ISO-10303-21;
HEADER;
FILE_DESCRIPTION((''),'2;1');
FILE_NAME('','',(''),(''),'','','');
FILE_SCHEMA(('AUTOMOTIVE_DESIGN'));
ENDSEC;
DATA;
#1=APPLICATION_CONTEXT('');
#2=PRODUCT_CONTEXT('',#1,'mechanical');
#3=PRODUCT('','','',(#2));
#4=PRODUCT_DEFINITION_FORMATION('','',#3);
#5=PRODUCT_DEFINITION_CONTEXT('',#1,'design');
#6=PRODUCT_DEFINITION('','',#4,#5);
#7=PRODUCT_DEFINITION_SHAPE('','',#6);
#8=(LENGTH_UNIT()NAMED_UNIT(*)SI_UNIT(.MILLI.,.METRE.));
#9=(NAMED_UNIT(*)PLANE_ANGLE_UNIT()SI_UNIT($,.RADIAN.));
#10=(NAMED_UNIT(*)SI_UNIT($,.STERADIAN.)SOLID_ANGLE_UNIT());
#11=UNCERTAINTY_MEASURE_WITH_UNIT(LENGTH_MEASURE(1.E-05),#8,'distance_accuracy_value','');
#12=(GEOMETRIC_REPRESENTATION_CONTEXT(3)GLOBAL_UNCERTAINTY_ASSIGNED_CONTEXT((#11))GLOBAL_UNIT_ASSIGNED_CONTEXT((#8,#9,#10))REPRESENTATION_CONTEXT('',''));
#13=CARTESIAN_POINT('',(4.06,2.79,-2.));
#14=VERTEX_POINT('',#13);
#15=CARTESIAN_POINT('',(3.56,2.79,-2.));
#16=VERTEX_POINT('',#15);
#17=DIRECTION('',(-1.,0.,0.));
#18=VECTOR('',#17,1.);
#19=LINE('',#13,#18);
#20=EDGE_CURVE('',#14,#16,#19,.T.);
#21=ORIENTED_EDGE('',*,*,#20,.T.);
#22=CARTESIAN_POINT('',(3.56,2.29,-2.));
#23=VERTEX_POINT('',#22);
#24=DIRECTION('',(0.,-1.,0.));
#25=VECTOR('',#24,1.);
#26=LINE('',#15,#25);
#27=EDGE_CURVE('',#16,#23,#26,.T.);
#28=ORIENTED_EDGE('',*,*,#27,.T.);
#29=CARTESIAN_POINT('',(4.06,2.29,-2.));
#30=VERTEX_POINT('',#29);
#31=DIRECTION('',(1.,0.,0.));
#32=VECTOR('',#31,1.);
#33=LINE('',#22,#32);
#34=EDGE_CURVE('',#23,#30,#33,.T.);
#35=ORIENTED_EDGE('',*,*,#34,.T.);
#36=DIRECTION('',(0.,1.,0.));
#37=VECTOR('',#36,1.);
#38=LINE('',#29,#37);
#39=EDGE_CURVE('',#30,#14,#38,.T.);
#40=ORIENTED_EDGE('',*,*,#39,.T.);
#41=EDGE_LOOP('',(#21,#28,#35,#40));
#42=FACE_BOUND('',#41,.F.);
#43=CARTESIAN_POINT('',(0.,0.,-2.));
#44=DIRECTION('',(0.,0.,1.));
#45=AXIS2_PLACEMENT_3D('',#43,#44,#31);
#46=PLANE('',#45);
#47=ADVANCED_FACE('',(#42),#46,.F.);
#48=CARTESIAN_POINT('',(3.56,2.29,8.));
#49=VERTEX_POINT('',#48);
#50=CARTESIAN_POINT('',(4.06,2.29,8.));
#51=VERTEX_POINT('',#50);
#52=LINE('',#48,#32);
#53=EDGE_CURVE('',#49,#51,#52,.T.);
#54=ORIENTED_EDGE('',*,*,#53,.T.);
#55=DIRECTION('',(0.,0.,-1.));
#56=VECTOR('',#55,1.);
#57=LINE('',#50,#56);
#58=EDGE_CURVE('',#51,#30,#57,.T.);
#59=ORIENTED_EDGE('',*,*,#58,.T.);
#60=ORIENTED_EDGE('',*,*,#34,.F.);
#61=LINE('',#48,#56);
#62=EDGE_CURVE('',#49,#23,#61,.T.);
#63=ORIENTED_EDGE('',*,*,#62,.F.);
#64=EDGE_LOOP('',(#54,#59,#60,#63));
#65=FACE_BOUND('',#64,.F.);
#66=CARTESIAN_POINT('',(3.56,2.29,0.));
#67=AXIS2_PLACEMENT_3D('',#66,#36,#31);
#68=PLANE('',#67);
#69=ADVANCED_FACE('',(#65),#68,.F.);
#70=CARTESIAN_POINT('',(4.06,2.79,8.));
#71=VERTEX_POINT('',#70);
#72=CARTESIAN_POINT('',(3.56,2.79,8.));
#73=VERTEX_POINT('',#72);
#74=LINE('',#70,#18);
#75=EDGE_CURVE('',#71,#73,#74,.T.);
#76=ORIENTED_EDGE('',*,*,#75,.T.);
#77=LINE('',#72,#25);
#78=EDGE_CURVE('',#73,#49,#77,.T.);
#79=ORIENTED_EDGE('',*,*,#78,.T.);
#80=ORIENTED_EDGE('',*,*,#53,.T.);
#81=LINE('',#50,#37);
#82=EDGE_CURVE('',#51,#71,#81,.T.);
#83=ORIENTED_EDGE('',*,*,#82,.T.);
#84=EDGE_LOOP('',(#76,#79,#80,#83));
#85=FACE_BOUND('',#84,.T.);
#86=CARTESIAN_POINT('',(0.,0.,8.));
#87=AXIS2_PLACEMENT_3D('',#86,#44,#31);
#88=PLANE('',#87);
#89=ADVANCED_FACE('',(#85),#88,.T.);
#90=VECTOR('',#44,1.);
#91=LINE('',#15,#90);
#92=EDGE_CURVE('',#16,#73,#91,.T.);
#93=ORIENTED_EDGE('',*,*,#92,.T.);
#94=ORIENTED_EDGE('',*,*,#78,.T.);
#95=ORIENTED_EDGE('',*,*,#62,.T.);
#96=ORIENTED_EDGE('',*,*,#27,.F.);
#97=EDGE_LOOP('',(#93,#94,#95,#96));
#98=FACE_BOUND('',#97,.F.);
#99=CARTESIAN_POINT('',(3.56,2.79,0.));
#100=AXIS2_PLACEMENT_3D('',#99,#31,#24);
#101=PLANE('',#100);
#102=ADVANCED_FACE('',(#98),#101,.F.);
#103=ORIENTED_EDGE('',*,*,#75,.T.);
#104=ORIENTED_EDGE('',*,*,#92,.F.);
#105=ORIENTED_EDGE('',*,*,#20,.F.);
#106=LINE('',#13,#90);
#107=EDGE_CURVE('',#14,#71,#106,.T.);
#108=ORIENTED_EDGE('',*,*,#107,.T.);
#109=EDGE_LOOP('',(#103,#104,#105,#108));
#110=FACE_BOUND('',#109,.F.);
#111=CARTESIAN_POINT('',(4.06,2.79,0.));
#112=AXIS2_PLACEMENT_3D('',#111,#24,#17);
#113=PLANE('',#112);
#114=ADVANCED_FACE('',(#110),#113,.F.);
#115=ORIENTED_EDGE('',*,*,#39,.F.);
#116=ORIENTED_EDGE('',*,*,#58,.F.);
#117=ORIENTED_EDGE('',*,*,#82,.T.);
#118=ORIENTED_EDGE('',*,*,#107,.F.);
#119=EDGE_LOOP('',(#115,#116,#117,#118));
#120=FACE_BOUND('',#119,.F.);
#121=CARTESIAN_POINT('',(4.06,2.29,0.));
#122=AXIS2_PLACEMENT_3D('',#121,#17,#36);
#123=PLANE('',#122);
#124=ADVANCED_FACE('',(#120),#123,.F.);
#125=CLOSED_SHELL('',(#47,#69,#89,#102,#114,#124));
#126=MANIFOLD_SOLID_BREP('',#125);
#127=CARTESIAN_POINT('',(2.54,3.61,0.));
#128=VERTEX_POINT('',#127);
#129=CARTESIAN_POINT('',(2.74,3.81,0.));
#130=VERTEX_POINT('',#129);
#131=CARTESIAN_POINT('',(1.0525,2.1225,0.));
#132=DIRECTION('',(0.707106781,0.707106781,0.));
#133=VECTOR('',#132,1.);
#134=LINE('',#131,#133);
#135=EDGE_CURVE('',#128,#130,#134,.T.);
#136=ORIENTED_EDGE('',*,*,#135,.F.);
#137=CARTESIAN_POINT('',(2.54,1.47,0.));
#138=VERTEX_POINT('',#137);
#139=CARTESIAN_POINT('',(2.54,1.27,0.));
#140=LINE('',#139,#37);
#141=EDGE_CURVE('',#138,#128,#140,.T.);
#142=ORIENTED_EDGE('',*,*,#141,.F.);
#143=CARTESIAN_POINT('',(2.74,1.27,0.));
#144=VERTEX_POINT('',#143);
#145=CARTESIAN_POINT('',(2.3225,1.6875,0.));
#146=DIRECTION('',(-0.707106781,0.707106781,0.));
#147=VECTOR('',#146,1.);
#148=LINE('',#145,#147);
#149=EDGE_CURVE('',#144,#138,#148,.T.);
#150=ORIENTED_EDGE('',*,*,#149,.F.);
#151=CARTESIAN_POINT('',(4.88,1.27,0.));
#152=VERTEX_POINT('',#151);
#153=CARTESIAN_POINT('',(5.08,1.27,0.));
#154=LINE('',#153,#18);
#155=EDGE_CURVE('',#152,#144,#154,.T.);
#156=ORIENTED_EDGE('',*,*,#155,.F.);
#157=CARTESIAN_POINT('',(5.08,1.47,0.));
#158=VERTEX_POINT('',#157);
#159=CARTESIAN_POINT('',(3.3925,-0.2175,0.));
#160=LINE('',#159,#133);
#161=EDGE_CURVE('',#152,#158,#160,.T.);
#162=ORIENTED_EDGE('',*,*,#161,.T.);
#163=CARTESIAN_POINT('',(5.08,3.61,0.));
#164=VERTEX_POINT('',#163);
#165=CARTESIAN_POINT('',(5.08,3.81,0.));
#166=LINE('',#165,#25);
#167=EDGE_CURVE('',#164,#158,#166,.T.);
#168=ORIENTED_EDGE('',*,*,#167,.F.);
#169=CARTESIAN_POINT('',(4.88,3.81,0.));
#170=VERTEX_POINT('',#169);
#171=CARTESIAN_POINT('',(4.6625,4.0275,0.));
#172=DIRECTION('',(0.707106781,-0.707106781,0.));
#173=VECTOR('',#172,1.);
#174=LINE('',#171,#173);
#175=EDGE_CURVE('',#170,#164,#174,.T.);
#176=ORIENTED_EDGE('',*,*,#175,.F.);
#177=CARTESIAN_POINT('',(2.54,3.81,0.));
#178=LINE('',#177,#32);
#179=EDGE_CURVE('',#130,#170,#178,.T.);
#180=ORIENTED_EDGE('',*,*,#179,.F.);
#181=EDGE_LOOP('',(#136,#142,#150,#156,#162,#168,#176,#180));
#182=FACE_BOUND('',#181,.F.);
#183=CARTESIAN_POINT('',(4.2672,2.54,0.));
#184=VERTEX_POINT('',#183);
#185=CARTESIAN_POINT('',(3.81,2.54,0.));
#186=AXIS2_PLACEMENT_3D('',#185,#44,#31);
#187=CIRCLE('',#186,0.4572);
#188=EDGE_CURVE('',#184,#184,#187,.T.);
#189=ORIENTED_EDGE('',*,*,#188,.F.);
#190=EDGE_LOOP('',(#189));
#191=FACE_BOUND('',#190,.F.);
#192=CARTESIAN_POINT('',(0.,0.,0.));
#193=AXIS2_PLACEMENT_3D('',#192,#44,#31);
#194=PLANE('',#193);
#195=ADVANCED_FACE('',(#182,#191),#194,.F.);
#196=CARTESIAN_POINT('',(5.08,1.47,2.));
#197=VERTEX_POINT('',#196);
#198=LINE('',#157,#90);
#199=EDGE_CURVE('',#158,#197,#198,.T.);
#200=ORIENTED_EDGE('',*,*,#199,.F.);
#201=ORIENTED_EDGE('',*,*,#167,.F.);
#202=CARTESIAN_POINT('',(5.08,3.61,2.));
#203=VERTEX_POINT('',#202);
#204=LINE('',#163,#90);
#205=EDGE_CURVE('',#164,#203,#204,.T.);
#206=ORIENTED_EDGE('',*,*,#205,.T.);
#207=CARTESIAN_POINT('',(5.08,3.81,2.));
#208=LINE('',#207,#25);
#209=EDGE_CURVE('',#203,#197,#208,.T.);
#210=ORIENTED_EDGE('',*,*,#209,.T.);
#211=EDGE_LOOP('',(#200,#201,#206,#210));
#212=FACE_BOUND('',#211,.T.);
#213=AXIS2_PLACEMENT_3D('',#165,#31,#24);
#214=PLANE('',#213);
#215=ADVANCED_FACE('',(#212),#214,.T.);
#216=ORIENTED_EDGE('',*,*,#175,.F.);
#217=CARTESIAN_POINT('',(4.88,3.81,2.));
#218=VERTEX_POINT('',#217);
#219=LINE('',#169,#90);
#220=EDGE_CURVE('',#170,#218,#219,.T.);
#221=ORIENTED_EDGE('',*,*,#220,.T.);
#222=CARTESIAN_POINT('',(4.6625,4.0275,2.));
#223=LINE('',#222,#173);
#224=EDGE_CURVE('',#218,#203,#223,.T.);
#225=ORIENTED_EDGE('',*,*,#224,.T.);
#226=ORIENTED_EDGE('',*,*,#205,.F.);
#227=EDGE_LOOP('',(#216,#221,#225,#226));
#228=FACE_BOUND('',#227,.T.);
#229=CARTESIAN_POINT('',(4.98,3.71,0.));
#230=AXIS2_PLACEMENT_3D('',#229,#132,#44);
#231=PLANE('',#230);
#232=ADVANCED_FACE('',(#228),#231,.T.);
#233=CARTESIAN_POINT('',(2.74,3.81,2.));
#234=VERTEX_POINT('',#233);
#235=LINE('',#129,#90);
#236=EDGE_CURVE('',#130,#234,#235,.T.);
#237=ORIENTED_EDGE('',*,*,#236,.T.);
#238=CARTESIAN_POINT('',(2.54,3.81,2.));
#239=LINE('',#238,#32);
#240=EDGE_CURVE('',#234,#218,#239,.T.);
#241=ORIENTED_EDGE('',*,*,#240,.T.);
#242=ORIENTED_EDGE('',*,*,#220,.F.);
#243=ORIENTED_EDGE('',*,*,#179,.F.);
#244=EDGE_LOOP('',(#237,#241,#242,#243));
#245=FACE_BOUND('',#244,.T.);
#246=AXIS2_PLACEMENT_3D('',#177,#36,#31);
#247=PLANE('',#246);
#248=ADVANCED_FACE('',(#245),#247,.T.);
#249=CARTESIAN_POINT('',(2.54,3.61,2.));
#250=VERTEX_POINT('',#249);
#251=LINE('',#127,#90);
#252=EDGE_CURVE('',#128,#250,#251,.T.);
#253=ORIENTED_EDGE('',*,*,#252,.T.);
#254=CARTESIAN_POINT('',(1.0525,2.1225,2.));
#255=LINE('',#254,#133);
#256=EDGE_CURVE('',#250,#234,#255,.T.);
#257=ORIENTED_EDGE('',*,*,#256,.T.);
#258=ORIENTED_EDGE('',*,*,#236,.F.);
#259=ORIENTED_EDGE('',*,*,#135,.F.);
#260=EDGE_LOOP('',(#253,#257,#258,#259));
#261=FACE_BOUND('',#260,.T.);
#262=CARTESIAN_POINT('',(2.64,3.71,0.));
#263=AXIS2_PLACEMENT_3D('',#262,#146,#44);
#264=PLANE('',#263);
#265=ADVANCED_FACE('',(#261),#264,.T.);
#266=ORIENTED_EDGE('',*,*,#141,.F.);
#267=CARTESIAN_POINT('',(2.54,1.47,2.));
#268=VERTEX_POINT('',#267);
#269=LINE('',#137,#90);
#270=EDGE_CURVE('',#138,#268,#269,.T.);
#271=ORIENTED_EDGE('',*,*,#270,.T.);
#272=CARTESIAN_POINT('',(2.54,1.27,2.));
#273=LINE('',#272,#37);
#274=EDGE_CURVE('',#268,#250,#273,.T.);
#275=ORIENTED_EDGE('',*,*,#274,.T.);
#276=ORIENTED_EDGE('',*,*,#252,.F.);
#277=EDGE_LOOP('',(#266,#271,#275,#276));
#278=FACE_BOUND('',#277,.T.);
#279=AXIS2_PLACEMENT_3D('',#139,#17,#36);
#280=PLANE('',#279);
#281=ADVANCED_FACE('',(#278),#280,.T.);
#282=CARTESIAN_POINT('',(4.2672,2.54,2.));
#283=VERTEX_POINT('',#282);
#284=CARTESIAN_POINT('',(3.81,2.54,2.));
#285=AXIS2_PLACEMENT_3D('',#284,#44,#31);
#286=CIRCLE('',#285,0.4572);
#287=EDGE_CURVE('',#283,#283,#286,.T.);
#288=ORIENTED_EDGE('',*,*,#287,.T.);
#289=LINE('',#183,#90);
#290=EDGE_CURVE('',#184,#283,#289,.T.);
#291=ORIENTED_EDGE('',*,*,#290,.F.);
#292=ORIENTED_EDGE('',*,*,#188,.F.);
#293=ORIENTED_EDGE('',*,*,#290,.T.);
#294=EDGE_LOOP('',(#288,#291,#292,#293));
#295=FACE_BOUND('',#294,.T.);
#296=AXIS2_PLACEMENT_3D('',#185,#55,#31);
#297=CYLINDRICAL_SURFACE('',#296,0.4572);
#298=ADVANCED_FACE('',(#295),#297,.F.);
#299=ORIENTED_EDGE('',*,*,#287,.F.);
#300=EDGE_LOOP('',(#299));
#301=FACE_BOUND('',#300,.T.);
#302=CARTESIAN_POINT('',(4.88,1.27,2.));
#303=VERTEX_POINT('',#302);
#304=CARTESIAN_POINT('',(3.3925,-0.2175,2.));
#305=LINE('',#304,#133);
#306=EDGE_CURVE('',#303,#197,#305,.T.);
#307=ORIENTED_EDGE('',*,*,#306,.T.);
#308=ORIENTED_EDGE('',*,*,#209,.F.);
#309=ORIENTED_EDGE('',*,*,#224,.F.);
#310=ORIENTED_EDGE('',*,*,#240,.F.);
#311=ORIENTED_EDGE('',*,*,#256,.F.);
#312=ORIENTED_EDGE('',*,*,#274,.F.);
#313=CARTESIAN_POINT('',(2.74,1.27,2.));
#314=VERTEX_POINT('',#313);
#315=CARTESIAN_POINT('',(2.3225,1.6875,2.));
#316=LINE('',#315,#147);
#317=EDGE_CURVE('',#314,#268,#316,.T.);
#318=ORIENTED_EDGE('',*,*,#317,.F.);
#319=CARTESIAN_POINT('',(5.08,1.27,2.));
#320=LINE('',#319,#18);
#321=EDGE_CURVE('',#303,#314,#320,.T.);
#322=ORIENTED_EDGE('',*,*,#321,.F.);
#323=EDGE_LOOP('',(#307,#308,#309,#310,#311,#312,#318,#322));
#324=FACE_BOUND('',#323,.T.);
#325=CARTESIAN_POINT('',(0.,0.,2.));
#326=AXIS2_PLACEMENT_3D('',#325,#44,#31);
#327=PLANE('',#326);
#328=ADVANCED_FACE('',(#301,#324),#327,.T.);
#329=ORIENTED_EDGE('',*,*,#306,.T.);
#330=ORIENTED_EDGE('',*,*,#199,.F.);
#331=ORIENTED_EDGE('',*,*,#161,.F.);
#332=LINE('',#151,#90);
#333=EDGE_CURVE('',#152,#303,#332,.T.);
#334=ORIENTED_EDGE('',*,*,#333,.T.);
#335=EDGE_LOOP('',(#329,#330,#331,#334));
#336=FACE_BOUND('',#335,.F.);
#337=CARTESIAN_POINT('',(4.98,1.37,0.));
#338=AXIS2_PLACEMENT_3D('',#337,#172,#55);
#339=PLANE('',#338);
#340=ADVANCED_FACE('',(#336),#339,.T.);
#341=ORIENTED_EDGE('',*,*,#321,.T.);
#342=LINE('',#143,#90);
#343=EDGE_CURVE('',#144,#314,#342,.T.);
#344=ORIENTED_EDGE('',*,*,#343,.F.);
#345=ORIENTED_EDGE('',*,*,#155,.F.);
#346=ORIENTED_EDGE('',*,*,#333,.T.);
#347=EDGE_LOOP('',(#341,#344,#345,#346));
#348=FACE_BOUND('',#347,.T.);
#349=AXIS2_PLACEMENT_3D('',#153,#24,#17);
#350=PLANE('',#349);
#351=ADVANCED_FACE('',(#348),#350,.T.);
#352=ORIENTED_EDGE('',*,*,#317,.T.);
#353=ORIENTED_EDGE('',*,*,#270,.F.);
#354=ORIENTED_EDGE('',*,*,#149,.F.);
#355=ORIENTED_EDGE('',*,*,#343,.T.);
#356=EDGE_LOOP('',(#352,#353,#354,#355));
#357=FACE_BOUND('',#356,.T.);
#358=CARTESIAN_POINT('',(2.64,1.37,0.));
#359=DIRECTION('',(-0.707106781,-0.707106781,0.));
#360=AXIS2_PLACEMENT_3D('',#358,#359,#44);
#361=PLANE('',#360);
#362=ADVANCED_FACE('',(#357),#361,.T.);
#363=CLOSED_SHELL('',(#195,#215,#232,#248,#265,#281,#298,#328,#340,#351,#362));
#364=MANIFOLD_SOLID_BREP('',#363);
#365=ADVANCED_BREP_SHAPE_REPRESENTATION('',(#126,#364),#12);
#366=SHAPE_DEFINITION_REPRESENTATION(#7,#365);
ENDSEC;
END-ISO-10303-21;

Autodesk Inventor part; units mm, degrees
ref_plane "YZ Plane" through (0, 0, 0) normal (1, 0, 0) x (0, 1, 0)
ref_plane "Work Plane1" through (0, 0, 0) normal (0, 0, 1) x (1, 0, 0)
sketch "Sketch1" plane through (0, 0, 0) normal (0, 0, 1) x (1, 0, 0)
  circle A0 centre (3.81, 25.4) radius 0.4572 projected
  circle A1 centre (3.81, 2.54) radius 0.4572 projected
  line L0 (4.06, 2.79) -> (3.56, 2.79)
  line L1 (3.56, 2.79) -> (3.56, 2.29)
  line L2 (3.56, 2.29) -> (4.06, 2.29)
  line L3 (4.06, 2.29) -> (4.06, 2.79)
  line L4 (4.06, 2.79) -> (3.56, 2.29) construction
  line L5 (3.56, 2.79) -> (4.06, 2.29) construction
  point P0 (0, 0)
  dimension "d0" = 0.5
  dimension "d1" = 0.5
extrude "Extrusion1" add sketch "Sketch1" along normal blind 8 and the other way blind 2 contours L3 L2 L1 L0
ref_plane "Work Plane2" through (0, 0, 0) normal (0, 0, 1) x (1, 0, 0)
sketch "Sketch2" plane through (0, 0, 0) normal (0, 0, 1) x (1, 0, 0)
  circle A0 centre (3.81, 2.54) radius 0.4572 projected
  circle A1 centre (3.81, 5.08) radius 0.4572 projected
  circle A2 centre (3.81, 7.62) radius 0.4572 projected
  line L0 (5.08, 1.27) -> (2.54, 1.27)
  line L1 (2.54, 1.27) -> (2.54, 3.81)
  line L2 (2.54, 3.81) -> (5.08, 3.81)
  line L3 (5.08, 3.81) -> (5.08, 1.27)
  line L4 (5.08, 1.27) -> (2.54, 3.81) construction
  line L5 (2.54, 1.27) -> (5.08, 3.81) construction
  point P0 (0, 0)
  dimension "d6" = 2.54
  dimension "d7" = 2.54
extrude "Extrusion2" add sketch "Sketch2" along normal blind 2 separate body contours L0 L1 L2 L3
chamfer "Chamfer1" distance 0.2 angle 45 4 edges at (2.54, 3.81, 1) (5.08, 3.81, 1) (2.54, 1.27, 1) (5.08, 1.27, 1)
properties part number "pinheader1"
